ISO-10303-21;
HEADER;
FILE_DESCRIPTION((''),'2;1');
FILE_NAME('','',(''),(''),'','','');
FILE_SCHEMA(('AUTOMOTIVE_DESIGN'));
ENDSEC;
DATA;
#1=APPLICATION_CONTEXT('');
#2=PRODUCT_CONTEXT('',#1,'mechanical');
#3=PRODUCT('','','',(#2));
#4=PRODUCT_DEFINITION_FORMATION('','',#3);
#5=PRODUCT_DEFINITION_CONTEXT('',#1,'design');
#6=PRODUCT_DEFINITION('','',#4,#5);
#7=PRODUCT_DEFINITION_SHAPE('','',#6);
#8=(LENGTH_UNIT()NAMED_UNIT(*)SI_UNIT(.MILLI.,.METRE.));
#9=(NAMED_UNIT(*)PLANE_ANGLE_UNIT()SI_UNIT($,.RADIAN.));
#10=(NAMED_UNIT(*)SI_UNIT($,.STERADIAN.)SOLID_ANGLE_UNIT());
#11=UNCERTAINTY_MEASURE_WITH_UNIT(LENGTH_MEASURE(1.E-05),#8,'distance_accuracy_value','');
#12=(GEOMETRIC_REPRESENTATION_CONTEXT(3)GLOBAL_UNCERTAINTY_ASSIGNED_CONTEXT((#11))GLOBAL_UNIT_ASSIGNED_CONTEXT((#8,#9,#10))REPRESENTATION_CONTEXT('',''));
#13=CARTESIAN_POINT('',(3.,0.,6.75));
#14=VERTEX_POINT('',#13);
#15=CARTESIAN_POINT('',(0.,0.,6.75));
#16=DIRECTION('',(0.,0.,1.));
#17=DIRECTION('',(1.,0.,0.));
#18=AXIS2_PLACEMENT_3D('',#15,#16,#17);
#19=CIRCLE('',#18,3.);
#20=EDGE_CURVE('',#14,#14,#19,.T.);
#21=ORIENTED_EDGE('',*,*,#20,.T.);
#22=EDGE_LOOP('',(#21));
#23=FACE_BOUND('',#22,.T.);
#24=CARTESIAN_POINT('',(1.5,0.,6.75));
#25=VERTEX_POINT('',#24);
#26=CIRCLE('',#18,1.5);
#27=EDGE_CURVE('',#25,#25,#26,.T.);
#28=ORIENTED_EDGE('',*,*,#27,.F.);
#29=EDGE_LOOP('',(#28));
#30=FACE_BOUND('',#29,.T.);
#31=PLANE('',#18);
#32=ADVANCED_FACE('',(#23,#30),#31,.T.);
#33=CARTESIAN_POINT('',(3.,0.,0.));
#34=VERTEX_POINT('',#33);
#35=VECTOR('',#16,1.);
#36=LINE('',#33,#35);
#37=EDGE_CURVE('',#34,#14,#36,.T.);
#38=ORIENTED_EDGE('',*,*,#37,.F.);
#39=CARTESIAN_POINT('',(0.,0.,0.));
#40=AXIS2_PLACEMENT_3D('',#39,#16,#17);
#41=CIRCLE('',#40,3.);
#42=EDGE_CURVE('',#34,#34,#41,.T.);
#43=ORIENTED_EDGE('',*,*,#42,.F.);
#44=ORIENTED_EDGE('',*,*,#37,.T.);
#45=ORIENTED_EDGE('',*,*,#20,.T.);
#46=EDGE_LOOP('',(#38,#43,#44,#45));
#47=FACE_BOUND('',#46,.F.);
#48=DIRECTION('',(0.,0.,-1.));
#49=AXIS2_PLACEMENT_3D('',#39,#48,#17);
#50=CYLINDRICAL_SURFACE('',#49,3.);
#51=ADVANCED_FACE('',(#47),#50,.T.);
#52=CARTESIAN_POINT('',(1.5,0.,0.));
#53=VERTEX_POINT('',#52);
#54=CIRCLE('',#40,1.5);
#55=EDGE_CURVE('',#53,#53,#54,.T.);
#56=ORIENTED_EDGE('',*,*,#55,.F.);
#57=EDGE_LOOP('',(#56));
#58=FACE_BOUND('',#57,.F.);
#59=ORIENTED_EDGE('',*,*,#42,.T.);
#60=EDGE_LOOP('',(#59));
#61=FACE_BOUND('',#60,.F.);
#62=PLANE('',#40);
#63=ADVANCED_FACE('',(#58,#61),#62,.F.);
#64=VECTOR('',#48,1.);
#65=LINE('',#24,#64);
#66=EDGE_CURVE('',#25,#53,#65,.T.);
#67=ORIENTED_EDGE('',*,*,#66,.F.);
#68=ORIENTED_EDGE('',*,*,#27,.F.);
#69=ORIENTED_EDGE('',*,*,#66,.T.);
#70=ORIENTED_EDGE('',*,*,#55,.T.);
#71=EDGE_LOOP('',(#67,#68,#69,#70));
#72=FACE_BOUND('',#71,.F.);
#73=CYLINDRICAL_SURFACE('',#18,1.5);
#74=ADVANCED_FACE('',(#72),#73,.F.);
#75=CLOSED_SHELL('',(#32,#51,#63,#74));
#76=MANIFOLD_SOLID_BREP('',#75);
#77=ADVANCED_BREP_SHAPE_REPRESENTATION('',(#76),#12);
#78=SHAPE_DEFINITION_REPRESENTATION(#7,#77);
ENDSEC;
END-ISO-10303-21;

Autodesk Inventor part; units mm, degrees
ref_plane "YZ Plane" through (0, 0, 0) normal (1, 0, 0) x (0, 1, 0)
ref_plane "XZ Plane" through (0, 0, 0) normal (0, 1, 0) x (-1, 0, 0)
ref_plane "XY Plane" through (0, 0, 0) normal (0, 0, 1) x (1, 0, 0)
sketch "Sketch1" plane through (0, 0, 0) normal (0, 0, 1) x (1, 0, 0)
  circle A0 centre (0, 0) radius 3
  dimension "d0" = 6
extrude "Extrusion1" add sketch "Sketch1" along normal blind 6.75
sketch "Sketch2" plane through (0, 0, 6.75) normal (0, 0, 1) x (1, 0, 0)
  circle A0 centre (0, 0) radius 1.5
  dimension "d3" = 3
extrude "Extrusion2" cut sketch "Sketch2" against normal through all
properties part number "963070042_lower"
